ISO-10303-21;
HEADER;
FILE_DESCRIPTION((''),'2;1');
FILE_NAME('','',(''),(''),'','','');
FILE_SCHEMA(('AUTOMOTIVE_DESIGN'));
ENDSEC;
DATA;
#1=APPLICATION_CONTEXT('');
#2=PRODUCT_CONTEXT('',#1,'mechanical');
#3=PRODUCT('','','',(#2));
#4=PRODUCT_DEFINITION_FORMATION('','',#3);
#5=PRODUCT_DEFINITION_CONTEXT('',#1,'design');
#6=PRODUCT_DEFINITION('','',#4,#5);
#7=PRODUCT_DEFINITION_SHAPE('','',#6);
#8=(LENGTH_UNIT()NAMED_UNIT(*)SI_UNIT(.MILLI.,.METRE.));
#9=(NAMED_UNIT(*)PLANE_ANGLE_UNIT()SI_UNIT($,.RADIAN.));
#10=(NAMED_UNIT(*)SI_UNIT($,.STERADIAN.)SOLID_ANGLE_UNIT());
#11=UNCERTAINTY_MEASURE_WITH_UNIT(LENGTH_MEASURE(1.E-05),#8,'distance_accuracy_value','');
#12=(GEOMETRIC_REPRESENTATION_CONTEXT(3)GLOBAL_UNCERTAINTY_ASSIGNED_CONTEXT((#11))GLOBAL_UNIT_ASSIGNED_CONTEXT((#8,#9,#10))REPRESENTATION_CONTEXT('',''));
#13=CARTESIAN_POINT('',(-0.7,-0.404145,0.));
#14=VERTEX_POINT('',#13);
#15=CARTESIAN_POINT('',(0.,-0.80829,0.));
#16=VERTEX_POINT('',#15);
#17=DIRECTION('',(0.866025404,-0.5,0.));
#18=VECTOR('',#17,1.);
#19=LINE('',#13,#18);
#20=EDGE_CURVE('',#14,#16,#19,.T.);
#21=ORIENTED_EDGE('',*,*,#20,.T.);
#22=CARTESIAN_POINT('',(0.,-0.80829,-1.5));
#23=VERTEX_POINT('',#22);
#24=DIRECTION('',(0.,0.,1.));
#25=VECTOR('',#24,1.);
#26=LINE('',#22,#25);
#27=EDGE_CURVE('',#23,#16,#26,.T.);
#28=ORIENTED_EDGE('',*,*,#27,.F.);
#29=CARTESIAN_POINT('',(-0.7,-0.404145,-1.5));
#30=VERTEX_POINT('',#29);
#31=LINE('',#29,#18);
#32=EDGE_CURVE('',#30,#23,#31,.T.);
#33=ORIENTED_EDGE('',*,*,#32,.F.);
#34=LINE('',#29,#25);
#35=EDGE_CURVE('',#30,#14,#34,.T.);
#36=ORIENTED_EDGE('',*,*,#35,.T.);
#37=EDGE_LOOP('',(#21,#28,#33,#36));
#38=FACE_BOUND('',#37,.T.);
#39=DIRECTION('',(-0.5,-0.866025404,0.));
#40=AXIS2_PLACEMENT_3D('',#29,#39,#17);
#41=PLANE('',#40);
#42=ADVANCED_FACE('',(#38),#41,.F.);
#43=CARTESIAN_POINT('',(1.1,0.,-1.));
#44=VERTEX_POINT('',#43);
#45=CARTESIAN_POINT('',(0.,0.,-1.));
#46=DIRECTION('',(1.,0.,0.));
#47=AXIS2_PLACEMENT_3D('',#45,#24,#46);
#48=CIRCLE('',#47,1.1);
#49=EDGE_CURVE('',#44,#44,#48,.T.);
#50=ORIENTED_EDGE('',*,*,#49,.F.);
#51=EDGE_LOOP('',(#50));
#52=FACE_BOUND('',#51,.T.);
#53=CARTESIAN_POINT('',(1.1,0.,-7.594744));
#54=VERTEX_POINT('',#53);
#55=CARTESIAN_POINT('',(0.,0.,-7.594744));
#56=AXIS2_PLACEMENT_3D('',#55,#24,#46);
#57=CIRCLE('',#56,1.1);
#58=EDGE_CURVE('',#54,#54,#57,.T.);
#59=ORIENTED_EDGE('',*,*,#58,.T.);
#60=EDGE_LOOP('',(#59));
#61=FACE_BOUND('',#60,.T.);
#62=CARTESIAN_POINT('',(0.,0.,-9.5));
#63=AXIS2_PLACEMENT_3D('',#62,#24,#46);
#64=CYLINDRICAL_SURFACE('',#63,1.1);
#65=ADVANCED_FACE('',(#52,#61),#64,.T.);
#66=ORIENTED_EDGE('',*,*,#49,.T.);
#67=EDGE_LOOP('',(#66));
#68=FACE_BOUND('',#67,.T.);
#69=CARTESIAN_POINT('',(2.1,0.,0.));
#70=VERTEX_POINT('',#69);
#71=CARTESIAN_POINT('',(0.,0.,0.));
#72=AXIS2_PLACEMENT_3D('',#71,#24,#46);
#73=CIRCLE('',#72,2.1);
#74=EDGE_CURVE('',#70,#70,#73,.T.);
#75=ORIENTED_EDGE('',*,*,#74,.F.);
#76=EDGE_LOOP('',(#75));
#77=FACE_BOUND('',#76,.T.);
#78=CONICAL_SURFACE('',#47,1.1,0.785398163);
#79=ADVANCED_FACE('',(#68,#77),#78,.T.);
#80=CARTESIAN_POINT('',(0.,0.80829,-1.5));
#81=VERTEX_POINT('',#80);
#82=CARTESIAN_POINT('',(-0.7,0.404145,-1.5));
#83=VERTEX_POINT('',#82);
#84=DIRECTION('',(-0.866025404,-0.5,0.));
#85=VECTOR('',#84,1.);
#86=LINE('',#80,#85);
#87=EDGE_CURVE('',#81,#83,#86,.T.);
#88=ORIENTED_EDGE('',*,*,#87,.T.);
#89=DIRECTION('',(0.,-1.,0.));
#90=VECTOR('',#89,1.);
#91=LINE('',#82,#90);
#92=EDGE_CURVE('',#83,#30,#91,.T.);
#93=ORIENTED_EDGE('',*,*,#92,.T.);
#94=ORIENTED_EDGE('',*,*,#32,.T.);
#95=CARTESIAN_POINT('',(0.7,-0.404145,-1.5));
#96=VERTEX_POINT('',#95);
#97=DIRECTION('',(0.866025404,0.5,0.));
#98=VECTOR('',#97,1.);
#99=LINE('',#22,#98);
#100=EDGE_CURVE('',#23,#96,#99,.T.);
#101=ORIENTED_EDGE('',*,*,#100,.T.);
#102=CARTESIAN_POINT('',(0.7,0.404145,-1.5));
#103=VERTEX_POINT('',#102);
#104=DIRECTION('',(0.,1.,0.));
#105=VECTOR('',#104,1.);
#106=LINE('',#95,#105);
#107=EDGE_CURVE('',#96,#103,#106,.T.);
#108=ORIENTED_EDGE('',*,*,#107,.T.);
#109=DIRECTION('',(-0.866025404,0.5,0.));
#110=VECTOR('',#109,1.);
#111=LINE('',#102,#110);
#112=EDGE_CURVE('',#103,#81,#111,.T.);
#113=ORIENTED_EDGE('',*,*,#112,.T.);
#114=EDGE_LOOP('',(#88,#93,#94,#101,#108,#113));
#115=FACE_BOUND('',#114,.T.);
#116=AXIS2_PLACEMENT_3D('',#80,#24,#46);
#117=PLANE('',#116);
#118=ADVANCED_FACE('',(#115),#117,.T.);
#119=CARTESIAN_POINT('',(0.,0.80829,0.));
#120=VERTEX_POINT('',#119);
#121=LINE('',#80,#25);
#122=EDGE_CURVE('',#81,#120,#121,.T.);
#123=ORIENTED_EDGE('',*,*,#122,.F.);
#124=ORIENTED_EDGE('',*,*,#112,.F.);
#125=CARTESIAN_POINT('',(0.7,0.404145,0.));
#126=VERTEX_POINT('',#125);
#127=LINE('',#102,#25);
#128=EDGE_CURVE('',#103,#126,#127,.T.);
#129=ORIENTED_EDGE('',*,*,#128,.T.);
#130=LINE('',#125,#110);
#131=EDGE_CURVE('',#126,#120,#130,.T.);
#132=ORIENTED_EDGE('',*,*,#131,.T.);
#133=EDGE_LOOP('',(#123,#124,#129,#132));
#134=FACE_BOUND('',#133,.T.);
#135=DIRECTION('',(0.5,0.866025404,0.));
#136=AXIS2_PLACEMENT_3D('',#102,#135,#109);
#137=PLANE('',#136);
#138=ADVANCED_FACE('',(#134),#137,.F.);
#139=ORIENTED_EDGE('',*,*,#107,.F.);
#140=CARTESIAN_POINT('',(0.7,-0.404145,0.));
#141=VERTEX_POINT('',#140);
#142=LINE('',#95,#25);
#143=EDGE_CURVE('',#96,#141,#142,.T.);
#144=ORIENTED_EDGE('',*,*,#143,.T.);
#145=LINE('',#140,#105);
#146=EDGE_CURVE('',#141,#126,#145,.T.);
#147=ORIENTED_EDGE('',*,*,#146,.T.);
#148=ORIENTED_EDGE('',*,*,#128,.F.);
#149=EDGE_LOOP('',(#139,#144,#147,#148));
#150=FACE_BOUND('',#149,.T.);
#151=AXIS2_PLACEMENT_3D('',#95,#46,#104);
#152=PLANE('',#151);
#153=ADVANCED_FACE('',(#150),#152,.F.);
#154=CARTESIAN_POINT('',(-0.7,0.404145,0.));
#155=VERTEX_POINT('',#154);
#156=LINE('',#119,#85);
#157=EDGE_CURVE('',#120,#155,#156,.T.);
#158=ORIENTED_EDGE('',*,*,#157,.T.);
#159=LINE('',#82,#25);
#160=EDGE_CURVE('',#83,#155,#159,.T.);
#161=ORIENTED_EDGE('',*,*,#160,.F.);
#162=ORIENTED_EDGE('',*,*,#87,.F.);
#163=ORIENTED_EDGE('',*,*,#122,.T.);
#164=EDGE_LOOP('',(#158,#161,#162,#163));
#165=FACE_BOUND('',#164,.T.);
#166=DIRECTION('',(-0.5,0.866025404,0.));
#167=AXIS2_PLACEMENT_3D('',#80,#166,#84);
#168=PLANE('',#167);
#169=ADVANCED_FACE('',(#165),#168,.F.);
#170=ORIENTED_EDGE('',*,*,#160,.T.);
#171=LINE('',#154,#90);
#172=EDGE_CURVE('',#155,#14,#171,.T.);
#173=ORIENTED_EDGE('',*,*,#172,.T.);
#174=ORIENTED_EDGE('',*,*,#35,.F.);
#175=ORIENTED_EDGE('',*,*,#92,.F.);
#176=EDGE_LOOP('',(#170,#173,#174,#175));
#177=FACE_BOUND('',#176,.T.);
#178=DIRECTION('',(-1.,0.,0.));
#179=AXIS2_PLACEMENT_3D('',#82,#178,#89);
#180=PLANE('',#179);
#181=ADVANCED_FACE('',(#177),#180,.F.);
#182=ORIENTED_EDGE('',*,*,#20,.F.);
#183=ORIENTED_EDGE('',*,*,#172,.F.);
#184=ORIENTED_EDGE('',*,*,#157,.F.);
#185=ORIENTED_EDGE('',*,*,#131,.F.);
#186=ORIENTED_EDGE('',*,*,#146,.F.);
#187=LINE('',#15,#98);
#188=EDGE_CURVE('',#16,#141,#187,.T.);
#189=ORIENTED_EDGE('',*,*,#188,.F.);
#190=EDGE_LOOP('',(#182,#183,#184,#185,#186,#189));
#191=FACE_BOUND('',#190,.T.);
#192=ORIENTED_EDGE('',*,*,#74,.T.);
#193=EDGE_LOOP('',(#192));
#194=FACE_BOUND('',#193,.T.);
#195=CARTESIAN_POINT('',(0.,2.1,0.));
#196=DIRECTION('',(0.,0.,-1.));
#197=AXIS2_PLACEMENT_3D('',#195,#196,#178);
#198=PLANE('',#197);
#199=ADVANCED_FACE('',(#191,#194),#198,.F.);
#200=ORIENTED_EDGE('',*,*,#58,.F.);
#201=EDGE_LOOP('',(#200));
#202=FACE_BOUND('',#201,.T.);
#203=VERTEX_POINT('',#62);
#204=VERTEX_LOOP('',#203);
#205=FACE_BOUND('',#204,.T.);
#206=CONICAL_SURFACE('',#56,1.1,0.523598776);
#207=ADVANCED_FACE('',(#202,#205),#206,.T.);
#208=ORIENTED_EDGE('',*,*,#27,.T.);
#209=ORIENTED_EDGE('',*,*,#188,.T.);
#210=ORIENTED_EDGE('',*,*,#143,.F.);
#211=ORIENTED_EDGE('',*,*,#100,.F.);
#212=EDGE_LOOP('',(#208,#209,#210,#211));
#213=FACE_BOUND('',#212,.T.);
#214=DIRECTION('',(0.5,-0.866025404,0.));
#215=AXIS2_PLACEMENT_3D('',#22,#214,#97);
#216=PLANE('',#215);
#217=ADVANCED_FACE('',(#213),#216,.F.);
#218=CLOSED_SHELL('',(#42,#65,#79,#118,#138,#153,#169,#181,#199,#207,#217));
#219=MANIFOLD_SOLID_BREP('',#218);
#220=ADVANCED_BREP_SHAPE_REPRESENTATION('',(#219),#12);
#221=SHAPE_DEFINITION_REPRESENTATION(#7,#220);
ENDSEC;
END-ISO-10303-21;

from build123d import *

# Parameters (mm, degrees)
ESQUISSE3_R             = 1.1
EXTRUSION1_DEPTH        = 9.5
ENL_V_MAT_EXTRU_2_DEPTH = 1.5
CHANFREIN1_SIZE         = 1.1
CHANFREIN1_SIZE2        = 1.905255888


with BuildPart() as part:
    # Esquisse1 → Révolution2 (revolve)
    with BuildSketch(Plane(origin=(0, 0, 0), x_dir=(0, 0, -1), z_dir=(1, 0, 0)), mode=Mode.PRIVATE) as r_volution2_sk:
        Polygon((0, 2.1), (1, 1.1), (1, 0), (0, 0), align=None)
    revolve(r_volution2_sk.sketch.rotate(Axis((0, 0, 1.603508429), (0, 0, -1)), 90), axis=Axis((0, 0, 1.603508429), (0, 0, -1)))

    # Esquisse3 → Extrusion1 (add)
    with BuildSketch(Plane.XY):
        Circle(ESQUISSE3_R)
    extrude(amount=-EXTRUSION1_DEPTH)

    # Esquisse2 → Enlèv. mat.-Extru.2 (cut)
    with BuildSketch(Plane.XY):
        Polygon((0, 0.808290377), (-0.7, 0.404145188), (-0.7, -0.404145188), (0, -0.808290377), (0.7, -0.404145188), (0.7, 0.404145188), align=None)
    extrude(amount=-ENL_V_MAT_EXTRU_2_DEPTH, mode=Mode.SUBTRACT)

    # Chanfrein1
    chanfrein1_edges = [part.edges().sort_by_distance(p)[0] for p in [
        (-1.1, 0, -9.5),
    ]]
    chanfrein1_side = [part.faces().sort_by_distance(p)[0] for p in [
        (0, 0, -9.5),
    ]]
    chamfer(chanfrein1_edges, length=CHANFREIN1_SIZE, length2=CHANFREIN1_SIZE2, reference=chanfrein1_side[0])


solid = part.part
